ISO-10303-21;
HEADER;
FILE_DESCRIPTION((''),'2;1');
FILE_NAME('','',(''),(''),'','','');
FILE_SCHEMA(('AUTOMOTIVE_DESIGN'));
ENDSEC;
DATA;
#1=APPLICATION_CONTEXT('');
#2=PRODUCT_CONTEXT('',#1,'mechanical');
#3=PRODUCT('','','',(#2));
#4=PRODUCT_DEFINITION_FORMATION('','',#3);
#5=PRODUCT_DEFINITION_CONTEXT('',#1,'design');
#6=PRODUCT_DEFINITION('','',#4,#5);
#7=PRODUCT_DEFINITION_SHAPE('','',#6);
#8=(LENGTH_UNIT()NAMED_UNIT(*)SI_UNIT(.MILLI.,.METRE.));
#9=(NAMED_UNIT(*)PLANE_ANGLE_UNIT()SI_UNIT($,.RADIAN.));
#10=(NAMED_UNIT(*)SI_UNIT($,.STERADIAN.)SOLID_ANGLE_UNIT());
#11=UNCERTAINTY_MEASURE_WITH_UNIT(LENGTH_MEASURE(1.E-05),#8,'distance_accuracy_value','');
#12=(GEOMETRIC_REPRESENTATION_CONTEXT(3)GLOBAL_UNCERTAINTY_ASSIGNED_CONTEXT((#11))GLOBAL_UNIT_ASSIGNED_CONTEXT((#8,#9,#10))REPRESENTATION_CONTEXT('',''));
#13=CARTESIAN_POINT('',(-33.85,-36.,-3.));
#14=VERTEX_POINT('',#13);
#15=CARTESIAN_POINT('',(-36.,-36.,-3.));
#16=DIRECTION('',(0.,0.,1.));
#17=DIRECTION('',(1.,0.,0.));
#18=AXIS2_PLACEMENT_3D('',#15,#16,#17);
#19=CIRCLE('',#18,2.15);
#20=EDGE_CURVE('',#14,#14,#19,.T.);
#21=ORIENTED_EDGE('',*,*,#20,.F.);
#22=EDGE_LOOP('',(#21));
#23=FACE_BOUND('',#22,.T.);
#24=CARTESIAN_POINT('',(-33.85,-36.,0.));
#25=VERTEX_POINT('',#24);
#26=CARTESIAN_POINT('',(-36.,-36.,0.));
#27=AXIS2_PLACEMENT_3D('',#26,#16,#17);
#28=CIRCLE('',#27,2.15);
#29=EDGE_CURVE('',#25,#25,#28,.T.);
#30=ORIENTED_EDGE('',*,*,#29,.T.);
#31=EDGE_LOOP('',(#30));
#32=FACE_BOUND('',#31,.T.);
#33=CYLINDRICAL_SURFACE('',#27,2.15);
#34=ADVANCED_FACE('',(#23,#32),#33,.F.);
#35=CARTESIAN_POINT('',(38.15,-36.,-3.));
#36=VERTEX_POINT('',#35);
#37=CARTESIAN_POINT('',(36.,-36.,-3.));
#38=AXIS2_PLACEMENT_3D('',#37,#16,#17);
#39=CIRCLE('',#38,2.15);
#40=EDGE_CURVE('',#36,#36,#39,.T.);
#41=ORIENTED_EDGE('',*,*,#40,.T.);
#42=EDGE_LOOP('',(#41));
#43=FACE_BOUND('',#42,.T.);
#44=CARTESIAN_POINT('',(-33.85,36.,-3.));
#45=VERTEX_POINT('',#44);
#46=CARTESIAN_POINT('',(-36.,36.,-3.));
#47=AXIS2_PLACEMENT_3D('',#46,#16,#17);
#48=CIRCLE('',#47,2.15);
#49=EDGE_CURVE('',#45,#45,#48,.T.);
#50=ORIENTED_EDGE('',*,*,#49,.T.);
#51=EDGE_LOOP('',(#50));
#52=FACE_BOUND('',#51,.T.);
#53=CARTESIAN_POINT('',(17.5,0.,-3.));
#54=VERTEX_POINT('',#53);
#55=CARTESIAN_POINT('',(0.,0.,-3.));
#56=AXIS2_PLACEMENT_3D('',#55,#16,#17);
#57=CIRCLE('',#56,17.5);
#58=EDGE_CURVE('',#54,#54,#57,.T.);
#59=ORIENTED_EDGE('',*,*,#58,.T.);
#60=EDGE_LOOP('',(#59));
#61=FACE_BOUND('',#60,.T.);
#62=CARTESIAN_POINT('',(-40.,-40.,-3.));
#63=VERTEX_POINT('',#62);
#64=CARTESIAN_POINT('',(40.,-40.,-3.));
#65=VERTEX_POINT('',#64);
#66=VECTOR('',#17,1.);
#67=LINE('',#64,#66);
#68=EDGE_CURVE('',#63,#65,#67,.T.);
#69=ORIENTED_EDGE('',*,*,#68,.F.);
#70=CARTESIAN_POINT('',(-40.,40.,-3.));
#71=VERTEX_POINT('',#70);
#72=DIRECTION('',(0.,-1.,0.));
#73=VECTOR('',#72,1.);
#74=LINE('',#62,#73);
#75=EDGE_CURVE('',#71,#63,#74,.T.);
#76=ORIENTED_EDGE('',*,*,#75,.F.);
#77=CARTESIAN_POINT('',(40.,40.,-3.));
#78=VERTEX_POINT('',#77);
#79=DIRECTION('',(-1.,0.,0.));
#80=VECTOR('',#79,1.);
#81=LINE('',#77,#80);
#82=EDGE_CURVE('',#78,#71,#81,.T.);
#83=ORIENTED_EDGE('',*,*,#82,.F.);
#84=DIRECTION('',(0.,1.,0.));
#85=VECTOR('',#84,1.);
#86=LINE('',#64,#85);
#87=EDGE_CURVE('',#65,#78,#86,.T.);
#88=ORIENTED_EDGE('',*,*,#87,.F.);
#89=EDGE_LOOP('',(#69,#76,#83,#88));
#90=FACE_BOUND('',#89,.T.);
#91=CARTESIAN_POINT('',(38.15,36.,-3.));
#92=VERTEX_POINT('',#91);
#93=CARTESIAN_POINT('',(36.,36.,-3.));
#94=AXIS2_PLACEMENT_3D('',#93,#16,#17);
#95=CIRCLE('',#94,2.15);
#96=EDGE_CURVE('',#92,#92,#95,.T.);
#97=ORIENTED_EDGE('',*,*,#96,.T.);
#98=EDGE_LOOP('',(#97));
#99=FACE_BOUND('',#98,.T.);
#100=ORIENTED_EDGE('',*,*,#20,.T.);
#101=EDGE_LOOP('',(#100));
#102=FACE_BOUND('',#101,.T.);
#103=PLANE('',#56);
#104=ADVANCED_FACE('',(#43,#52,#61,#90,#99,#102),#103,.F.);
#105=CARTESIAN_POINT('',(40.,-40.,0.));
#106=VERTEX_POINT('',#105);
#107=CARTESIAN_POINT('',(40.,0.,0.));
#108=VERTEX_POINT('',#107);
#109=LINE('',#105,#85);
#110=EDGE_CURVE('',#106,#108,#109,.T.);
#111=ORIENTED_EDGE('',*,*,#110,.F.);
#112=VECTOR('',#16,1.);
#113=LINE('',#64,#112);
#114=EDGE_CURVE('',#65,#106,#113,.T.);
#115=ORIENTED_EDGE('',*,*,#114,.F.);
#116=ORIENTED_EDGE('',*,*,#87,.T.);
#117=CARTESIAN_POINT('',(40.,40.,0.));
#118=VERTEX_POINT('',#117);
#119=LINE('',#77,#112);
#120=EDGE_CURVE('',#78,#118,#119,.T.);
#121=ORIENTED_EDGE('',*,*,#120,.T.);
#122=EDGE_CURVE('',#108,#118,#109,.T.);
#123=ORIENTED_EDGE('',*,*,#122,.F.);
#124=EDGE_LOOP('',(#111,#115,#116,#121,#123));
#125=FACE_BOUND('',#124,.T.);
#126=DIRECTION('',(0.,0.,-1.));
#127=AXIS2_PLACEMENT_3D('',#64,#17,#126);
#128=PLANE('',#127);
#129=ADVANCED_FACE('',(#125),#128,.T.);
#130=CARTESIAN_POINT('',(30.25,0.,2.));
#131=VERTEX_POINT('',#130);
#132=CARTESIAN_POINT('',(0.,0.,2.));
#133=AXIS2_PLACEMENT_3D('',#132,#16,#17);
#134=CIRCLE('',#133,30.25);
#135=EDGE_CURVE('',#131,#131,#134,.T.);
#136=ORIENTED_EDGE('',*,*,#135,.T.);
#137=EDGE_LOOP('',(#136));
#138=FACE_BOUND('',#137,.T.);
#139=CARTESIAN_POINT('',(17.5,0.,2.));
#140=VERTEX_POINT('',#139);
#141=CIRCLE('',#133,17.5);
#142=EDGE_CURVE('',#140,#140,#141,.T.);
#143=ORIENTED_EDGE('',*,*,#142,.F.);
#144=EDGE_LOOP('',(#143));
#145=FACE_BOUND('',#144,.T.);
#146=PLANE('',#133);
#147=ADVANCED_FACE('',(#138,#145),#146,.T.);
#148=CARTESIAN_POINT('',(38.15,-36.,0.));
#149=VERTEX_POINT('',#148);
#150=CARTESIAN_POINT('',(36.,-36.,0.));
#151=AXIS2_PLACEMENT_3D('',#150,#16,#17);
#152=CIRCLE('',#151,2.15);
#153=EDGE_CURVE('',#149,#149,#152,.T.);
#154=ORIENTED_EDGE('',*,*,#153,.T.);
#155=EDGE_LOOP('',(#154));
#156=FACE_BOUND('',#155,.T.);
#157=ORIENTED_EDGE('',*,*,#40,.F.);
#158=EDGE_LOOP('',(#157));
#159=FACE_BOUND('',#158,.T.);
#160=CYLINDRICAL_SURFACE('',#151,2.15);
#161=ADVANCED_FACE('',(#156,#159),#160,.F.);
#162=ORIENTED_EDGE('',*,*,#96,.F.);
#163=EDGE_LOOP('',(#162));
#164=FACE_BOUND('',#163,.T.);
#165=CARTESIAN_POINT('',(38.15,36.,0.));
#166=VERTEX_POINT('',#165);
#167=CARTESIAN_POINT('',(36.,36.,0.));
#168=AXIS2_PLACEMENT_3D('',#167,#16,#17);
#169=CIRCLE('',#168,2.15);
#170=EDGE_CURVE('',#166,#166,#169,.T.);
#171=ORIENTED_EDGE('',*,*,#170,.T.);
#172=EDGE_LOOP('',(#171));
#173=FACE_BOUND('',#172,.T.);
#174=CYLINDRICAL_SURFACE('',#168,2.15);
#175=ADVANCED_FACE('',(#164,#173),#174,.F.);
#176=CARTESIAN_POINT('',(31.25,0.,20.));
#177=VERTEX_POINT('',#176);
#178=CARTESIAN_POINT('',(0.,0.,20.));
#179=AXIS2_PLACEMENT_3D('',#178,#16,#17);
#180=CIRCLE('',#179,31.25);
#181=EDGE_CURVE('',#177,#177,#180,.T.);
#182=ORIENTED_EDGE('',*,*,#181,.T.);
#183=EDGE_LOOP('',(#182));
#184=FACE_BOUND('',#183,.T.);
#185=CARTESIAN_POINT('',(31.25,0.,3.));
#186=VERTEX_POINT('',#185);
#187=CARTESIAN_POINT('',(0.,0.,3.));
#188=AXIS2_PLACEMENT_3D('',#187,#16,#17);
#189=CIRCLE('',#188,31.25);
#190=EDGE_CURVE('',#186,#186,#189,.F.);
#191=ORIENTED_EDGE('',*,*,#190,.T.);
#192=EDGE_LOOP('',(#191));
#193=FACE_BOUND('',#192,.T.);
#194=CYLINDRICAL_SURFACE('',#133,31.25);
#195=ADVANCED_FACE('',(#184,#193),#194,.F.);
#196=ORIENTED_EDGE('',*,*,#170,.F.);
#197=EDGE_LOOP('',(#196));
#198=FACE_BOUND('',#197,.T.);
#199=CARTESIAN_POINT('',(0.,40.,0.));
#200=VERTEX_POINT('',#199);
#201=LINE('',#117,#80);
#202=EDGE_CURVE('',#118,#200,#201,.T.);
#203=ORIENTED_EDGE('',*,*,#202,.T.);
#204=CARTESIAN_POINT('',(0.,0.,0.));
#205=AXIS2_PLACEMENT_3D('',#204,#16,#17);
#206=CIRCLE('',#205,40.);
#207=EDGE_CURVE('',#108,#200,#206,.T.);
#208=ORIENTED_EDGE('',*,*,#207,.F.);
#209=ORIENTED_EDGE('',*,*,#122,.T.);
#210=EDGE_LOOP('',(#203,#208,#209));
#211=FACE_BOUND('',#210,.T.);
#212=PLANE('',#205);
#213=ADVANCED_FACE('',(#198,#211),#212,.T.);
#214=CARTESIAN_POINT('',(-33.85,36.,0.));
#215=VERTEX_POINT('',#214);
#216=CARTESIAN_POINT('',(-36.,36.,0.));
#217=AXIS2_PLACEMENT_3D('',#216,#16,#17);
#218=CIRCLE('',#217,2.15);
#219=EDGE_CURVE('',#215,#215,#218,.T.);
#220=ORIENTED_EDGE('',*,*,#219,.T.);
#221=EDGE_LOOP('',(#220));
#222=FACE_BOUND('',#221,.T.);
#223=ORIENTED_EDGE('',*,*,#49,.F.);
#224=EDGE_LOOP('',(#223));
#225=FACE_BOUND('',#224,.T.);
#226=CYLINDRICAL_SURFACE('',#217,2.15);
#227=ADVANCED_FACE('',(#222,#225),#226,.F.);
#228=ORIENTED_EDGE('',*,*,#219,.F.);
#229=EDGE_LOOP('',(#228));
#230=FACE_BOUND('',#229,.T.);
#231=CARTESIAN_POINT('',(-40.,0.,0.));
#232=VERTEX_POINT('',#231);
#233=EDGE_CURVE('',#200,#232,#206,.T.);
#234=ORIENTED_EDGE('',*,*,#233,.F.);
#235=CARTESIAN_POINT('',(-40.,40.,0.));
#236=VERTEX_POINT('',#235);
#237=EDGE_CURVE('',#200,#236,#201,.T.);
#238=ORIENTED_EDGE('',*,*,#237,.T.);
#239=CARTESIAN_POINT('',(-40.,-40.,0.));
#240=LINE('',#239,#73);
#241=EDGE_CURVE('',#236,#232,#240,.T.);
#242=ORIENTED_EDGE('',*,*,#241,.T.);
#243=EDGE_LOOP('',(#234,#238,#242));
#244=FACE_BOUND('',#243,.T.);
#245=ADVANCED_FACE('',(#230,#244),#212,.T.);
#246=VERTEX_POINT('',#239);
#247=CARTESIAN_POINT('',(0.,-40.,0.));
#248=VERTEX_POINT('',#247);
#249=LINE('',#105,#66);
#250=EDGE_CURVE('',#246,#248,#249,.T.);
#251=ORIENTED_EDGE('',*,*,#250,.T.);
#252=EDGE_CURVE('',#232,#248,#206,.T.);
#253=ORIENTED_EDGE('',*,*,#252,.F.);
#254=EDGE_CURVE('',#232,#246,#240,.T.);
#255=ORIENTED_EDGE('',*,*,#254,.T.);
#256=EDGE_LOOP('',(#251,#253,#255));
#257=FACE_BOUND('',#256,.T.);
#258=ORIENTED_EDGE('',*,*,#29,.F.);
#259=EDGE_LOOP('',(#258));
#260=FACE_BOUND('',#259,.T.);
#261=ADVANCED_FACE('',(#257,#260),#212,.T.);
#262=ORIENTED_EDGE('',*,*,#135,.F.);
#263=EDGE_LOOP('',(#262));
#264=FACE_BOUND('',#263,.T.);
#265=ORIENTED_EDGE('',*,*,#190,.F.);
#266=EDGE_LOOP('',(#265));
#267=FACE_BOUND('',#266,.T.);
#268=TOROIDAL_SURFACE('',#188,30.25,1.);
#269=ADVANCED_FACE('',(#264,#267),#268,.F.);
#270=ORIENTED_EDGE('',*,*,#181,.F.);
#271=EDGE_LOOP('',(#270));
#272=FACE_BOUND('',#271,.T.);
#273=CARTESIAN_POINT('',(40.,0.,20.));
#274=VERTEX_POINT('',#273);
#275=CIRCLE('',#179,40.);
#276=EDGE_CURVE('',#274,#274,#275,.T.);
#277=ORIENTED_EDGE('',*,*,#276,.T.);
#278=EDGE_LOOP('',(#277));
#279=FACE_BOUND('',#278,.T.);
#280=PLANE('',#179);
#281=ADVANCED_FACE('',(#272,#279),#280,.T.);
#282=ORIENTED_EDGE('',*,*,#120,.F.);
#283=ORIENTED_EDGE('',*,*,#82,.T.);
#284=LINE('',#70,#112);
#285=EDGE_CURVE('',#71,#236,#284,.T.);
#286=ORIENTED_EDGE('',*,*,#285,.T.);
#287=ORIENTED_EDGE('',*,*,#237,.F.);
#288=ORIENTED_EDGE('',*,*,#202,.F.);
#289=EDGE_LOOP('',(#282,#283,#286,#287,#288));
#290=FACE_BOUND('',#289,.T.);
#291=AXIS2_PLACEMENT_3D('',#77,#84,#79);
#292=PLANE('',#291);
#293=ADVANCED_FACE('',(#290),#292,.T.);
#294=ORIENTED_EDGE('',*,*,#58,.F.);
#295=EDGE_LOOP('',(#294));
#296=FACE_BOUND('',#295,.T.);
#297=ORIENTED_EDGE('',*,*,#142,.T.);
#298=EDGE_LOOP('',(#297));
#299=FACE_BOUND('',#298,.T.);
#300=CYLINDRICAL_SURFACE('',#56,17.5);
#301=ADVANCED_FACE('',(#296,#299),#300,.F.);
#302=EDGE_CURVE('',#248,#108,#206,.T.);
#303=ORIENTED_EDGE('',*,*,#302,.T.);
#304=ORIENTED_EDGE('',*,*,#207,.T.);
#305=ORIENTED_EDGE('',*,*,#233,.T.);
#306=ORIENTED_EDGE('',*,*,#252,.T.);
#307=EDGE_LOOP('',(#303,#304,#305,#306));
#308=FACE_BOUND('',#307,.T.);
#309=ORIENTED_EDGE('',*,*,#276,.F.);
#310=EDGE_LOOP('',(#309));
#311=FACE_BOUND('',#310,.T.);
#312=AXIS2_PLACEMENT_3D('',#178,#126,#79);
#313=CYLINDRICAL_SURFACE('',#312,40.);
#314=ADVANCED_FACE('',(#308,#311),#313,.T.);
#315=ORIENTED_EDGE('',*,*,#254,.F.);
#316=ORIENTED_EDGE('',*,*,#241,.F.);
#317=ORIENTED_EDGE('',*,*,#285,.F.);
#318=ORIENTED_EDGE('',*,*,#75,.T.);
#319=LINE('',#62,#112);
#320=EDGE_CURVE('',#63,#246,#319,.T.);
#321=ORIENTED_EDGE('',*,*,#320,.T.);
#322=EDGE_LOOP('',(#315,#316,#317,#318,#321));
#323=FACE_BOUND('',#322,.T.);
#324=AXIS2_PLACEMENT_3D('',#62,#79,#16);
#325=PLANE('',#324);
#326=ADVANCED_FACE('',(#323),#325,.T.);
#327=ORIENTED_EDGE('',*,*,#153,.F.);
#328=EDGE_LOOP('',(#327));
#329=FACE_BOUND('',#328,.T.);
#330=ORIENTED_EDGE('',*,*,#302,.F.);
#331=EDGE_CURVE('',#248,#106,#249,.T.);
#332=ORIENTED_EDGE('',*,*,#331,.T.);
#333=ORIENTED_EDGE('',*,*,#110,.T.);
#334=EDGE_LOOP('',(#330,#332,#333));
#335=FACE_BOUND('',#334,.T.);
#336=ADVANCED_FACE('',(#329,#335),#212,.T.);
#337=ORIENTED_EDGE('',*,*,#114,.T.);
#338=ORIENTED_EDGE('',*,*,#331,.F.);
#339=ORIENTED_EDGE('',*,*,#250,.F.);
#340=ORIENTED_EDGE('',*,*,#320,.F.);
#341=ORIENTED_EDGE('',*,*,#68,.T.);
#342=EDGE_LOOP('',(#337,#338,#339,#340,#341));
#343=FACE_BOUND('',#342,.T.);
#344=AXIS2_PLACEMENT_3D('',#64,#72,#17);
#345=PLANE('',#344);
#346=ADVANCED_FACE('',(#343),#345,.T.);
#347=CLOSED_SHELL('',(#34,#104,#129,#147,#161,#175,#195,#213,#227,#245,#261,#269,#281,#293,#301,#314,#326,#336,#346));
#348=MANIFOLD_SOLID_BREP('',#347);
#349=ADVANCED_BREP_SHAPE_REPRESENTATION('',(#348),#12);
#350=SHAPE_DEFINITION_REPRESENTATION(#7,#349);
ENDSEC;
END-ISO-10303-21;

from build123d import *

# Parameters (mm, degrees)
ESQUISSE1_R                  = 40
BOSS_EXTRU_1_DEPTH           = 20
ENL_V_START                  = 20
ESQUISSE2_R                  = 31.25
ENL_V_MAT_EXTRU_1_DEPTH      = 18
CONG_3_R                     = 1
ESQUISSE4_W                  = 80
ESQUISSE4_H                  = 80
BOSS_EXTRU_2_DEPTH           = 3
ENL_V_MAT_EXTRU_2_DEPTH      = 61
ENL_V_MAT_EXTRU_2_DEPTH_BACK = 61
ESQUISSE5_R                  = 17.5
D_GAGEMENT_M41_D             = 4.3
SYM_TRIE2_COPY_1_D           = 4.3


with BuildPart() as part:
    # Esquisse1 → Boss.-Extru.1 (new body)
    with BuildSketch(Plane.XY):
        Circle(ESQUISSE1_R)
    extrude(amount=BOSS_EXTRU_1_DEPTH)

    # Esquisse2 → Enlèv. mat.-Extru.1 (cut)
    with BuildSketch(Plane.XY.offset(ENL_V_START)):
        Circle(ESQUISSE2_R)
    extrude(amount=-ENL_V_MAT_EXTRU_1_DEPTH, mode=Mode.SUBTRACT)

    # Congé3
    cong_3_edges = [part.edges().sort_by_distance(p)[0] for p in [
        (-31.25, 0, 2),
    ]]
    fillet(cong_3_edges, radius=CONG_3_R)

    # Esquisse4 → Boss.-Extru.2 (add)
    with BuildSketch(Plane.XY):
        Rectangle(ESQUISSE4_W, ESQUISSE4_H)
    extrude(amount=-BOSS_EXTRU_2_DEPTH)

    # Esquisse5 → Enlèv. mat.-Extru.2 (cut, two sides: drawn at the far end of the back side and taken through both)
    with BuildSketch(Plane.XY.offset(-ENL_V_MAT_EXTRU_2_DEPTH_BACK)):
        Circle(ESQUISSE5_R)
    extrude(amount=ENL_V_MAT_EXTRU_2_DEPTH + ENL_V_MAT_EXTRU_2_DEPTH_BACK, mode=Mode.SUBTRACT)

    # Dégagement M41 (through all)
    with Locations(Plane(origin=(-36, 36, 0), x_dir=(1, 0, 0), z_dir=(0, 0, 1))):
        with Locations((0, 0)):
            d_gagement_m41 = Hole(D_GAGEMENT_M41_D / 2)

    # Symétrie1: Dégagement M41 across plane
    add(d_gagement_m41.mirror(Plane(origin=(0, 0, 0), x_dir=(0, 0, 1), z_dir=(1, 0, 0))), mode=Mode.SUBTRACT)

    # Symétrie2: Dégagement M41 across plane
    add(d_gagement_m41.mirror(Plane.ZX), mode=Mode.SUBTRACT)

    # Symétrie2 copy 1 (through all)
    with Locations(Plane(origin=(36, -36, 0), x_dir=(-1, 0, 0), z_dir=(0, 0, 1))):
        with Locations((0, 0)):
            Hole(SYM_TRIE2_COPY_1_D / 2)


solid = part.part
